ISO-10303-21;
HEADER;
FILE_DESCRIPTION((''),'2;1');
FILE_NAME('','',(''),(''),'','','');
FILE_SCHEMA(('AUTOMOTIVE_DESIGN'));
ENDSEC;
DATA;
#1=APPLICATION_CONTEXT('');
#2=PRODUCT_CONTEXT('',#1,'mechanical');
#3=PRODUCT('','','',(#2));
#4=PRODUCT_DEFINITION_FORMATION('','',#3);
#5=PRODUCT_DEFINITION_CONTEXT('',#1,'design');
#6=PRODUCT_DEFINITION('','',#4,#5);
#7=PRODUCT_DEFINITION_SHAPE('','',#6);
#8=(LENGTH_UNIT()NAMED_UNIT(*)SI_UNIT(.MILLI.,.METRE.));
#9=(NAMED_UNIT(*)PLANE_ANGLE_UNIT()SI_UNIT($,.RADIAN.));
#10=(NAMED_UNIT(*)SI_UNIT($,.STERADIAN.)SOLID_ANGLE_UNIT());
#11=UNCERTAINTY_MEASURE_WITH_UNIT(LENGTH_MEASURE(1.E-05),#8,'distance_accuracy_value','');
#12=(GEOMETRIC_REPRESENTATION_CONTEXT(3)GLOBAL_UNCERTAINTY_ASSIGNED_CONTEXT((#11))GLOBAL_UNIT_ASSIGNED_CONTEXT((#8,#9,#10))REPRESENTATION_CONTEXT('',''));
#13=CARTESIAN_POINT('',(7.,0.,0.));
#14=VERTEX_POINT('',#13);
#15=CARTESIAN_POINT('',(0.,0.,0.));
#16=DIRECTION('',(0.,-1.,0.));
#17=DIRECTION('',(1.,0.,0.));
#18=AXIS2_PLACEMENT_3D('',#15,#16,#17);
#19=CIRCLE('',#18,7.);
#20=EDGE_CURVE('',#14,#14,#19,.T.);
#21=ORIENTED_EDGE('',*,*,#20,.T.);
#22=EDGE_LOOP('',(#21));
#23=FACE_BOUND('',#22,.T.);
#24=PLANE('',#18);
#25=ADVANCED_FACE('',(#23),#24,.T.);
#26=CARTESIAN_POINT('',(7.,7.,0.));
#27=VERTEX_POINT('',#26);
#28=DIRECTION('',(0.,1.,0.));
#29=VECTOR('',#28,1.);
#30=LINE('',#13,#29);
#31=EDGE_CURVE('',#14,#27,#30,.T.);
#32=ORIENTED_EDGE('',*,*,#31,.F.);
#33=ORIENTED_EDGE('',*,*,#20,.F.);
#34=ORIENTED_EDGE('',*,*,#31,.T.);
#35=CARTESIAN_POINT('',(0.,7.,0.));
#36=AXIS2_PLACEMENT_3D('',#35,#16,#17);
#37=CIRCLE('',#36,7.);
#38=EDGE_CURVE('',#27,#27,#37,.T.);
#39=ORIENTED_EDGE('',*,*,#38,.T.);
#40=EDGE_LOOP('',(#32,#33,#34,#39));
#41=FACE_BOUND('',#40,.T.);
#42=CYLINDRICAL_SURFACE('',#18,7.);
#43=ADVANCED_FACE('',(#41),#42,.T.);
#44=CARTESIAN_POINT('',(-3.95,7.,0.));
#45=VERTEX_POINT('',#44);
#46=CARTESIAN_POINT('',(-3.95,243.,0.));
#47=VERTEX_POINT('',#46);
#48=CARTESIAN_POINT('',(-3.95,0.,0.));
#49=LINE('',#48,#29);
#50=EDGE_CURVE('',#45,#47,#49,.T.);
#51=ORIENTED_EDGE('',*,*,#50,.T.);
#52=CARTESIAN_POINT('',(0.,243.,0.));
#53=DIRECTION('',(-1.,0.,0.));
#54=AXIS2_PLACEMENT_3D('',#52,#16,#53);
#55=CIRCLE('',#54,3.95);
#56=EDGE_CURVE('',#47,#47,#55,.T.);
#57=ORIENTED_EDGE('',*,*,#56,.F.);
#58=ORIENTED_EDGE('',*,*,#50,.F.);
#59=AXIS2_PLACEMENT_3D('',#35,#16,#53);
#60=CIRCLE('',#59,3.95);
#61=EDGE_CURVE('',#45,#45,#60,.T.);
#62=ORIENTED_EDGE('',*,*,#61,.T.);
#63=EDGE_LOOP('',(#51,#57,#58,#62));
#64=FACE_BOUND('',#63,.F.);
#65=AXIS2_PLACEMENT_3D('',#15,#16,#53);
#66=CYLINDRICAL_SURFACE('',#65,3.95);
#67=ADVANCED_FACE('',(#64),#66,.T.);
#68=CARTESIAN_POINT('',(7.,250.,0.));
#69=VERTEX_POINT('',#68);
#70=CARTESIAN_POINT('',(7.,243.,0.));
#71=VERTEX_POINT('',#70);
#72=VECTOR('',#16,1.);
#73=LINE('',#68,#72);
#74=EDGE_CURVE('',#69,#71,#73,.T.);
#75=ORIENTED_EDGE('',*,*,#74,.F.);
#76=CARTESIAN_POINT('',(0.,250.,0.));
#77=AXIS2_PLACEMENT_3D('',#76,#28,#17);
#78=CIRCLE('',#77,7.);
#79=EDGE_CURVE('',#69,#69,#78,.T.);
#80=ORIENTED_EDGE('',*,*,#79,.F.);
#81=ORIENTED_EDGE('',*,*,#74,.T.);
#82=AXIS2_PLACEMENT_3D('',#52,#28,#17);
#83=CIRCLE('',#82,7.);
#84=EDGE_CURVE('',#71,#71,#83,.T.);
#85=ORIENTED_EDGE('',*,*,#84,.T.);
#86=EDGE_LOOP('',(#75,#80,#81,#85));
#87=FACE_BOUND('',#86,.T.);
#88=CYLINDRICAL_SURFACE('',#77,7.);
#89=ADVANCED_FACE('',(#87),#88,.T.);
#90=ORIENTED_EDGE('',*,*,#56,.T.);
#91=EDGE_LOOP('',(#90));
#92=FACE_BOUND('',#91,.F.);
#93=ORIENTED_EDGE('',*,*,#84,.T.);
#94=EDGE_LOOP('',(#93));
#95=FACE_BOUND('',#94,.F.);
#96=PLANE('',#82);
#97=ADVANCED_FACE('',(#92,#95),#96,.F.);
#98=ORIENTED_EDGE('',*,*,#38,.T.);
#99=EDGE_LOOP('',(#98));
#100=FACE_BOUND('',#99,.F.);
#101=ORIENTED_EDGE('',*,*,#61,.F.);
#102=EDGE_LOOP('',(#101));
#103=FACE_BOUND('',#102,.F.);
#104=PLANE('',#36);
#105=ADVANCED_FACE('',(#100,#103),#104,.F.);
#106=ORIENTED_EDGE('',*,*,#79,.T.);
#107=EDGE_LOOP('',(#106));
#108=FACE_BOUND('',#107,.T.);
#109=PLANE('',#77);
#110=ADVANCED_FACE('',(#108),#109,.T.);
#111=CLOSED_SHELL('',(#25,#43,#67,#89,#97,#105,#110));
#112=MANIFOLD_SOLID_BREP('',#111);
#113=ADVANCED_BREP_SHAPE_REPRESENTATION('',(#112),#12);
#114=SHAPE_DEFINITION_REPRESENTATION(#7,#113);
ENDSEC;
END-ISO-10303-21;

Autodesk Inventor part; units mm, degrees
ref_plane "YZ Plane" through (0, 0, 0) normal (1, 0, 0) x (0, 1, 0)
ref_plane "XZ Plane" through (0, 0, 0) normal (0, 1, 0) x (-1, 0, 0)
ref_plane "XY Plane" through (0, 0, 0) normal (0, 0, 1) x (1, 0, 0)
sketch "Sketch1" plane through (0, 0, 0) normal (0, 1, 0) x (-1, 0, 0)
  circle A0 centre (0, 0) radius 3.95
  circle A1 centre (0, 0) radius 7
  dimension "d0" = 7.9
  dimension "d1" = 14
extrude "Extrusion1" add sketch "Sketch1" along normal blind 250 contours A0
sketch "Sketch2" plane through (0, 250, 0) normal (0, 1, 0) x (1, 0, 0)
  circle A0 centre (0, 0) radius 3.95 projected
  circle A1 centre (0, 0) radius 7
  dimension "d4" = 14
extrude "Extrusion2" add sketch "Sketch2" against normal blind 7
sketch "Sketch3" plane through (0, 0, 0) normal (0, -1, 0) x (1, 0, 0)
  circle A0 centre (0, 0) radius 7 projected
  circle A1 centre (0, 0) radius 7
extrude "Extrusion3" add sketch "Sketch3" against normal blind 7
thread "Thread1" size "M8x1.25" class "6g" standard "ANSI Metric M Profile" full length
properties part number "perno"
